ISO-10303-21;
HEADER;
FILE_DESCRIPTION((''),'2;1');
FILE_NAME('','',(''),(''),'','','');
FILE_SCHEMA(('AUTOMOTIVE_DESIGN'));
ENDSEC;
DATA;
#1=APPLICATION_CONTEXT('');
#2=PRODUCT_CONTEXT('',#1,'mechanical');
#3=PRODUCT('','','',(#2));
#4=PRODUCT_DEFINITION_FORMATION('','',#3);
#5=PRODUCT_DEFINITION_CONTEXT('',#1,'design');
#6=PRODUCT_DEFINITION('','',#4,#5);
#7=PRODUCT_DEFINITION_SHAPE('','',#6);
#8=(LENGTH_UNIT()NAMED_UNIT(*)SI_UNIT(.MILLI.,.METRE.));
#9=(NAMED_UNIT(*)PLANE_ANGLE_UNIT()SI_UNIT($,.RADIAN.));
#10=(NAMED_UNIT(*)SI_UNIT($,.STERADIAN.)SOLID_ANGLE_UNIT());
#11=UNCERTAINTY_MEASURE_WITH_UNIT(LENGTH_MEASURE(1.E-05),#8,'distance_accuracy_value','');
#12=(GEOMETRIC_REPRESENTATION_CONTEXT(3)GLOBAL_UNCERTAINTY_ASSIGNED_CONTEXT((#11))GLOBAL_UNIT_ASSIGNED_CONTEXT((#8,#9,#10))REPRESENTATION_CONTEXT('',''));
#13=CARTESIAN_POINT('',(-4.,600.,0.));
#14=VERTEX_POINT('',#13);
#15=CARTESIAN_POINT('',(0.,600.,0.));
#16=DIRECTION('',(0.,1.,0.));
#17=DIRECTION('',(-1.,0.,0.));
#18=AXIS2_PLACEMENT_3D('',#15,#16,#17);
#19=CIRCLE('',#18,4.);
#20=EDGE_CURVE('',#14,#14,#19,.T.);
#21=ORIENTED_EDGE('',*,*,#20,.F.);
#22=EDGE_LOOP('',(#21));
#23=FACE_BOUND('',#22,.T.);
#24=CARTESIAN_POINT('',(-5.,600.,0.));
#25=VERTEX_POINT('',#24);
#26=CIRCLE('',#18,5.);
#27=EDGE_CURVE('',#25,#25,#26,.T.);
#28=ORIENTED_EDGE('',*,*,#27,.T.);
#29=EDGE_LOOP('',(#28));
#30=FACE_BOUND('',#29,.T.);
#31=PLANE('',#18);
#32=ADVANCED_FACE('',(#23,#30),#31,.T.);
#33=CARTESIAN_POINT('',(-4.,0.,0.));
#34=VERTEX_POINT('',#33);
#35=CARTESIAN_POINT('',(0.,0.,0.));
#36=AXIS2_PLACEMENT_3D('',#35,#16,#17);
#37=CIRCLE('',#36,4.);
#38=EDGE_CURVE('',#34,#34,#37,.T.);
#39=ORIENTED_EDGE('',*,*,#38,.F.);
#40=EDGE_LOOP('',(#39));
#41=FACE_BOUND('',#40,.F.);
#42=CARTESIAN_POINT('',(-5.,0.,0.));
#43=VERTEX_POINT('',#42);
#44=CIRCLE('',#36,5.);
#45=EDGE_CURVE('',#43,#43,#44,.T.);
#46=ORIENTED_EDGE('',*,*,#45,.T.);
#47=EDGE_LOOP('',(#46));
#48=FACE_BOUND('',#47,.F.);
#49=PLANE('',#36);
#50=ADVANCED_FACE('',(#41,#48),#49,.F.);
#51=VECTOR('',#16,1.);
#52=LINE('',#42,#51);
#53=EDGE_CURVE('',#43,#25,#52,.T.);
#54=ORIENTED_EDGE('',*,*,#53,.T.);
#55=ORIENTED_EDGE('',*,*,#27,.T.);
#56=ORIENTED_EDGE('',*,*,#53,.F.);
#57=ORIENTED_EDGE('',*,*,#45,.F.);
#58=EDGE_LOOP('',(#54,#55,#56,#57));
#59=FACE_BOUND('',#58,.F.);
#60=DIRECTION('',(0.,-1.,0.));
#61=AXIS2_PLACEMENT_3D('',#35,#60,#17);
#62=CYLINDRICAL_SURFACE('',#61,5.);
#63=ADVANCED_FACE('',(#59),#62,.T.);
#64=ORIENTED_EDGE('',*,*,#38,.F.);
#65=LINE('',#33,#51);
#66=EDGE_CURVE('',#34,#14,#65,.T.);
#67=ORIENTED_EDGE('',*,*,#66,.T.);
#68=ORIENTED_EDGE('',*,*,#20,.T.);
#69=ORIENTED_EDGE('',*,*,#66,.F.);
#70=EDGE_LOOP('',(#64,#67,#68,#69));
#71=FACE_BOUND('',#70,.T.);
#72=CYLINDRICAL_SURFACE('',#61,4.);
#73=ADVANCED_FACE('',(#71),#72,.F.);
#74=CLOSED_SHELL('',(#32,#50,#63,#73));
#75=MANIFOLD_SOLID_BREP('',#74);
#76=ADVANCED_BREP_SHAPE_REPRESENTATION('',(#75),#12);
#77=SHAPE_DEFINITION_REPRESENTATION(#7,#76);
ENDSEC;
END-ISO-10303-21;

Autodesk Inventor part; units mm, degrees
ref_plane "YZ Plane" through (0, 0, 0) normal (1, 0, 0) x (0, 1, 0)
ref_plane "XZ Plane" through (0, 0, 0) normal (0, 1, 0) x (-1, 0, 0)
ref_plane "XY Plane" through (0, 0, 0) normal (0, 0, 1) x (1, 0, 0)
sketch "Sketch1" plane through (0, 0, 0) normal (0, 1, 0) x (-1, 0, 0)
  circle A0 centre (0, 0) radius 5
  circle A1 centre (0, 0) radius 4
  dimension "d0" = 10
  dimension "d1" = 8
extrude "Extrusion1" add sketch "Sketch1" along normal blind 600
properties part number "CF_tube_10mm_600mm"
